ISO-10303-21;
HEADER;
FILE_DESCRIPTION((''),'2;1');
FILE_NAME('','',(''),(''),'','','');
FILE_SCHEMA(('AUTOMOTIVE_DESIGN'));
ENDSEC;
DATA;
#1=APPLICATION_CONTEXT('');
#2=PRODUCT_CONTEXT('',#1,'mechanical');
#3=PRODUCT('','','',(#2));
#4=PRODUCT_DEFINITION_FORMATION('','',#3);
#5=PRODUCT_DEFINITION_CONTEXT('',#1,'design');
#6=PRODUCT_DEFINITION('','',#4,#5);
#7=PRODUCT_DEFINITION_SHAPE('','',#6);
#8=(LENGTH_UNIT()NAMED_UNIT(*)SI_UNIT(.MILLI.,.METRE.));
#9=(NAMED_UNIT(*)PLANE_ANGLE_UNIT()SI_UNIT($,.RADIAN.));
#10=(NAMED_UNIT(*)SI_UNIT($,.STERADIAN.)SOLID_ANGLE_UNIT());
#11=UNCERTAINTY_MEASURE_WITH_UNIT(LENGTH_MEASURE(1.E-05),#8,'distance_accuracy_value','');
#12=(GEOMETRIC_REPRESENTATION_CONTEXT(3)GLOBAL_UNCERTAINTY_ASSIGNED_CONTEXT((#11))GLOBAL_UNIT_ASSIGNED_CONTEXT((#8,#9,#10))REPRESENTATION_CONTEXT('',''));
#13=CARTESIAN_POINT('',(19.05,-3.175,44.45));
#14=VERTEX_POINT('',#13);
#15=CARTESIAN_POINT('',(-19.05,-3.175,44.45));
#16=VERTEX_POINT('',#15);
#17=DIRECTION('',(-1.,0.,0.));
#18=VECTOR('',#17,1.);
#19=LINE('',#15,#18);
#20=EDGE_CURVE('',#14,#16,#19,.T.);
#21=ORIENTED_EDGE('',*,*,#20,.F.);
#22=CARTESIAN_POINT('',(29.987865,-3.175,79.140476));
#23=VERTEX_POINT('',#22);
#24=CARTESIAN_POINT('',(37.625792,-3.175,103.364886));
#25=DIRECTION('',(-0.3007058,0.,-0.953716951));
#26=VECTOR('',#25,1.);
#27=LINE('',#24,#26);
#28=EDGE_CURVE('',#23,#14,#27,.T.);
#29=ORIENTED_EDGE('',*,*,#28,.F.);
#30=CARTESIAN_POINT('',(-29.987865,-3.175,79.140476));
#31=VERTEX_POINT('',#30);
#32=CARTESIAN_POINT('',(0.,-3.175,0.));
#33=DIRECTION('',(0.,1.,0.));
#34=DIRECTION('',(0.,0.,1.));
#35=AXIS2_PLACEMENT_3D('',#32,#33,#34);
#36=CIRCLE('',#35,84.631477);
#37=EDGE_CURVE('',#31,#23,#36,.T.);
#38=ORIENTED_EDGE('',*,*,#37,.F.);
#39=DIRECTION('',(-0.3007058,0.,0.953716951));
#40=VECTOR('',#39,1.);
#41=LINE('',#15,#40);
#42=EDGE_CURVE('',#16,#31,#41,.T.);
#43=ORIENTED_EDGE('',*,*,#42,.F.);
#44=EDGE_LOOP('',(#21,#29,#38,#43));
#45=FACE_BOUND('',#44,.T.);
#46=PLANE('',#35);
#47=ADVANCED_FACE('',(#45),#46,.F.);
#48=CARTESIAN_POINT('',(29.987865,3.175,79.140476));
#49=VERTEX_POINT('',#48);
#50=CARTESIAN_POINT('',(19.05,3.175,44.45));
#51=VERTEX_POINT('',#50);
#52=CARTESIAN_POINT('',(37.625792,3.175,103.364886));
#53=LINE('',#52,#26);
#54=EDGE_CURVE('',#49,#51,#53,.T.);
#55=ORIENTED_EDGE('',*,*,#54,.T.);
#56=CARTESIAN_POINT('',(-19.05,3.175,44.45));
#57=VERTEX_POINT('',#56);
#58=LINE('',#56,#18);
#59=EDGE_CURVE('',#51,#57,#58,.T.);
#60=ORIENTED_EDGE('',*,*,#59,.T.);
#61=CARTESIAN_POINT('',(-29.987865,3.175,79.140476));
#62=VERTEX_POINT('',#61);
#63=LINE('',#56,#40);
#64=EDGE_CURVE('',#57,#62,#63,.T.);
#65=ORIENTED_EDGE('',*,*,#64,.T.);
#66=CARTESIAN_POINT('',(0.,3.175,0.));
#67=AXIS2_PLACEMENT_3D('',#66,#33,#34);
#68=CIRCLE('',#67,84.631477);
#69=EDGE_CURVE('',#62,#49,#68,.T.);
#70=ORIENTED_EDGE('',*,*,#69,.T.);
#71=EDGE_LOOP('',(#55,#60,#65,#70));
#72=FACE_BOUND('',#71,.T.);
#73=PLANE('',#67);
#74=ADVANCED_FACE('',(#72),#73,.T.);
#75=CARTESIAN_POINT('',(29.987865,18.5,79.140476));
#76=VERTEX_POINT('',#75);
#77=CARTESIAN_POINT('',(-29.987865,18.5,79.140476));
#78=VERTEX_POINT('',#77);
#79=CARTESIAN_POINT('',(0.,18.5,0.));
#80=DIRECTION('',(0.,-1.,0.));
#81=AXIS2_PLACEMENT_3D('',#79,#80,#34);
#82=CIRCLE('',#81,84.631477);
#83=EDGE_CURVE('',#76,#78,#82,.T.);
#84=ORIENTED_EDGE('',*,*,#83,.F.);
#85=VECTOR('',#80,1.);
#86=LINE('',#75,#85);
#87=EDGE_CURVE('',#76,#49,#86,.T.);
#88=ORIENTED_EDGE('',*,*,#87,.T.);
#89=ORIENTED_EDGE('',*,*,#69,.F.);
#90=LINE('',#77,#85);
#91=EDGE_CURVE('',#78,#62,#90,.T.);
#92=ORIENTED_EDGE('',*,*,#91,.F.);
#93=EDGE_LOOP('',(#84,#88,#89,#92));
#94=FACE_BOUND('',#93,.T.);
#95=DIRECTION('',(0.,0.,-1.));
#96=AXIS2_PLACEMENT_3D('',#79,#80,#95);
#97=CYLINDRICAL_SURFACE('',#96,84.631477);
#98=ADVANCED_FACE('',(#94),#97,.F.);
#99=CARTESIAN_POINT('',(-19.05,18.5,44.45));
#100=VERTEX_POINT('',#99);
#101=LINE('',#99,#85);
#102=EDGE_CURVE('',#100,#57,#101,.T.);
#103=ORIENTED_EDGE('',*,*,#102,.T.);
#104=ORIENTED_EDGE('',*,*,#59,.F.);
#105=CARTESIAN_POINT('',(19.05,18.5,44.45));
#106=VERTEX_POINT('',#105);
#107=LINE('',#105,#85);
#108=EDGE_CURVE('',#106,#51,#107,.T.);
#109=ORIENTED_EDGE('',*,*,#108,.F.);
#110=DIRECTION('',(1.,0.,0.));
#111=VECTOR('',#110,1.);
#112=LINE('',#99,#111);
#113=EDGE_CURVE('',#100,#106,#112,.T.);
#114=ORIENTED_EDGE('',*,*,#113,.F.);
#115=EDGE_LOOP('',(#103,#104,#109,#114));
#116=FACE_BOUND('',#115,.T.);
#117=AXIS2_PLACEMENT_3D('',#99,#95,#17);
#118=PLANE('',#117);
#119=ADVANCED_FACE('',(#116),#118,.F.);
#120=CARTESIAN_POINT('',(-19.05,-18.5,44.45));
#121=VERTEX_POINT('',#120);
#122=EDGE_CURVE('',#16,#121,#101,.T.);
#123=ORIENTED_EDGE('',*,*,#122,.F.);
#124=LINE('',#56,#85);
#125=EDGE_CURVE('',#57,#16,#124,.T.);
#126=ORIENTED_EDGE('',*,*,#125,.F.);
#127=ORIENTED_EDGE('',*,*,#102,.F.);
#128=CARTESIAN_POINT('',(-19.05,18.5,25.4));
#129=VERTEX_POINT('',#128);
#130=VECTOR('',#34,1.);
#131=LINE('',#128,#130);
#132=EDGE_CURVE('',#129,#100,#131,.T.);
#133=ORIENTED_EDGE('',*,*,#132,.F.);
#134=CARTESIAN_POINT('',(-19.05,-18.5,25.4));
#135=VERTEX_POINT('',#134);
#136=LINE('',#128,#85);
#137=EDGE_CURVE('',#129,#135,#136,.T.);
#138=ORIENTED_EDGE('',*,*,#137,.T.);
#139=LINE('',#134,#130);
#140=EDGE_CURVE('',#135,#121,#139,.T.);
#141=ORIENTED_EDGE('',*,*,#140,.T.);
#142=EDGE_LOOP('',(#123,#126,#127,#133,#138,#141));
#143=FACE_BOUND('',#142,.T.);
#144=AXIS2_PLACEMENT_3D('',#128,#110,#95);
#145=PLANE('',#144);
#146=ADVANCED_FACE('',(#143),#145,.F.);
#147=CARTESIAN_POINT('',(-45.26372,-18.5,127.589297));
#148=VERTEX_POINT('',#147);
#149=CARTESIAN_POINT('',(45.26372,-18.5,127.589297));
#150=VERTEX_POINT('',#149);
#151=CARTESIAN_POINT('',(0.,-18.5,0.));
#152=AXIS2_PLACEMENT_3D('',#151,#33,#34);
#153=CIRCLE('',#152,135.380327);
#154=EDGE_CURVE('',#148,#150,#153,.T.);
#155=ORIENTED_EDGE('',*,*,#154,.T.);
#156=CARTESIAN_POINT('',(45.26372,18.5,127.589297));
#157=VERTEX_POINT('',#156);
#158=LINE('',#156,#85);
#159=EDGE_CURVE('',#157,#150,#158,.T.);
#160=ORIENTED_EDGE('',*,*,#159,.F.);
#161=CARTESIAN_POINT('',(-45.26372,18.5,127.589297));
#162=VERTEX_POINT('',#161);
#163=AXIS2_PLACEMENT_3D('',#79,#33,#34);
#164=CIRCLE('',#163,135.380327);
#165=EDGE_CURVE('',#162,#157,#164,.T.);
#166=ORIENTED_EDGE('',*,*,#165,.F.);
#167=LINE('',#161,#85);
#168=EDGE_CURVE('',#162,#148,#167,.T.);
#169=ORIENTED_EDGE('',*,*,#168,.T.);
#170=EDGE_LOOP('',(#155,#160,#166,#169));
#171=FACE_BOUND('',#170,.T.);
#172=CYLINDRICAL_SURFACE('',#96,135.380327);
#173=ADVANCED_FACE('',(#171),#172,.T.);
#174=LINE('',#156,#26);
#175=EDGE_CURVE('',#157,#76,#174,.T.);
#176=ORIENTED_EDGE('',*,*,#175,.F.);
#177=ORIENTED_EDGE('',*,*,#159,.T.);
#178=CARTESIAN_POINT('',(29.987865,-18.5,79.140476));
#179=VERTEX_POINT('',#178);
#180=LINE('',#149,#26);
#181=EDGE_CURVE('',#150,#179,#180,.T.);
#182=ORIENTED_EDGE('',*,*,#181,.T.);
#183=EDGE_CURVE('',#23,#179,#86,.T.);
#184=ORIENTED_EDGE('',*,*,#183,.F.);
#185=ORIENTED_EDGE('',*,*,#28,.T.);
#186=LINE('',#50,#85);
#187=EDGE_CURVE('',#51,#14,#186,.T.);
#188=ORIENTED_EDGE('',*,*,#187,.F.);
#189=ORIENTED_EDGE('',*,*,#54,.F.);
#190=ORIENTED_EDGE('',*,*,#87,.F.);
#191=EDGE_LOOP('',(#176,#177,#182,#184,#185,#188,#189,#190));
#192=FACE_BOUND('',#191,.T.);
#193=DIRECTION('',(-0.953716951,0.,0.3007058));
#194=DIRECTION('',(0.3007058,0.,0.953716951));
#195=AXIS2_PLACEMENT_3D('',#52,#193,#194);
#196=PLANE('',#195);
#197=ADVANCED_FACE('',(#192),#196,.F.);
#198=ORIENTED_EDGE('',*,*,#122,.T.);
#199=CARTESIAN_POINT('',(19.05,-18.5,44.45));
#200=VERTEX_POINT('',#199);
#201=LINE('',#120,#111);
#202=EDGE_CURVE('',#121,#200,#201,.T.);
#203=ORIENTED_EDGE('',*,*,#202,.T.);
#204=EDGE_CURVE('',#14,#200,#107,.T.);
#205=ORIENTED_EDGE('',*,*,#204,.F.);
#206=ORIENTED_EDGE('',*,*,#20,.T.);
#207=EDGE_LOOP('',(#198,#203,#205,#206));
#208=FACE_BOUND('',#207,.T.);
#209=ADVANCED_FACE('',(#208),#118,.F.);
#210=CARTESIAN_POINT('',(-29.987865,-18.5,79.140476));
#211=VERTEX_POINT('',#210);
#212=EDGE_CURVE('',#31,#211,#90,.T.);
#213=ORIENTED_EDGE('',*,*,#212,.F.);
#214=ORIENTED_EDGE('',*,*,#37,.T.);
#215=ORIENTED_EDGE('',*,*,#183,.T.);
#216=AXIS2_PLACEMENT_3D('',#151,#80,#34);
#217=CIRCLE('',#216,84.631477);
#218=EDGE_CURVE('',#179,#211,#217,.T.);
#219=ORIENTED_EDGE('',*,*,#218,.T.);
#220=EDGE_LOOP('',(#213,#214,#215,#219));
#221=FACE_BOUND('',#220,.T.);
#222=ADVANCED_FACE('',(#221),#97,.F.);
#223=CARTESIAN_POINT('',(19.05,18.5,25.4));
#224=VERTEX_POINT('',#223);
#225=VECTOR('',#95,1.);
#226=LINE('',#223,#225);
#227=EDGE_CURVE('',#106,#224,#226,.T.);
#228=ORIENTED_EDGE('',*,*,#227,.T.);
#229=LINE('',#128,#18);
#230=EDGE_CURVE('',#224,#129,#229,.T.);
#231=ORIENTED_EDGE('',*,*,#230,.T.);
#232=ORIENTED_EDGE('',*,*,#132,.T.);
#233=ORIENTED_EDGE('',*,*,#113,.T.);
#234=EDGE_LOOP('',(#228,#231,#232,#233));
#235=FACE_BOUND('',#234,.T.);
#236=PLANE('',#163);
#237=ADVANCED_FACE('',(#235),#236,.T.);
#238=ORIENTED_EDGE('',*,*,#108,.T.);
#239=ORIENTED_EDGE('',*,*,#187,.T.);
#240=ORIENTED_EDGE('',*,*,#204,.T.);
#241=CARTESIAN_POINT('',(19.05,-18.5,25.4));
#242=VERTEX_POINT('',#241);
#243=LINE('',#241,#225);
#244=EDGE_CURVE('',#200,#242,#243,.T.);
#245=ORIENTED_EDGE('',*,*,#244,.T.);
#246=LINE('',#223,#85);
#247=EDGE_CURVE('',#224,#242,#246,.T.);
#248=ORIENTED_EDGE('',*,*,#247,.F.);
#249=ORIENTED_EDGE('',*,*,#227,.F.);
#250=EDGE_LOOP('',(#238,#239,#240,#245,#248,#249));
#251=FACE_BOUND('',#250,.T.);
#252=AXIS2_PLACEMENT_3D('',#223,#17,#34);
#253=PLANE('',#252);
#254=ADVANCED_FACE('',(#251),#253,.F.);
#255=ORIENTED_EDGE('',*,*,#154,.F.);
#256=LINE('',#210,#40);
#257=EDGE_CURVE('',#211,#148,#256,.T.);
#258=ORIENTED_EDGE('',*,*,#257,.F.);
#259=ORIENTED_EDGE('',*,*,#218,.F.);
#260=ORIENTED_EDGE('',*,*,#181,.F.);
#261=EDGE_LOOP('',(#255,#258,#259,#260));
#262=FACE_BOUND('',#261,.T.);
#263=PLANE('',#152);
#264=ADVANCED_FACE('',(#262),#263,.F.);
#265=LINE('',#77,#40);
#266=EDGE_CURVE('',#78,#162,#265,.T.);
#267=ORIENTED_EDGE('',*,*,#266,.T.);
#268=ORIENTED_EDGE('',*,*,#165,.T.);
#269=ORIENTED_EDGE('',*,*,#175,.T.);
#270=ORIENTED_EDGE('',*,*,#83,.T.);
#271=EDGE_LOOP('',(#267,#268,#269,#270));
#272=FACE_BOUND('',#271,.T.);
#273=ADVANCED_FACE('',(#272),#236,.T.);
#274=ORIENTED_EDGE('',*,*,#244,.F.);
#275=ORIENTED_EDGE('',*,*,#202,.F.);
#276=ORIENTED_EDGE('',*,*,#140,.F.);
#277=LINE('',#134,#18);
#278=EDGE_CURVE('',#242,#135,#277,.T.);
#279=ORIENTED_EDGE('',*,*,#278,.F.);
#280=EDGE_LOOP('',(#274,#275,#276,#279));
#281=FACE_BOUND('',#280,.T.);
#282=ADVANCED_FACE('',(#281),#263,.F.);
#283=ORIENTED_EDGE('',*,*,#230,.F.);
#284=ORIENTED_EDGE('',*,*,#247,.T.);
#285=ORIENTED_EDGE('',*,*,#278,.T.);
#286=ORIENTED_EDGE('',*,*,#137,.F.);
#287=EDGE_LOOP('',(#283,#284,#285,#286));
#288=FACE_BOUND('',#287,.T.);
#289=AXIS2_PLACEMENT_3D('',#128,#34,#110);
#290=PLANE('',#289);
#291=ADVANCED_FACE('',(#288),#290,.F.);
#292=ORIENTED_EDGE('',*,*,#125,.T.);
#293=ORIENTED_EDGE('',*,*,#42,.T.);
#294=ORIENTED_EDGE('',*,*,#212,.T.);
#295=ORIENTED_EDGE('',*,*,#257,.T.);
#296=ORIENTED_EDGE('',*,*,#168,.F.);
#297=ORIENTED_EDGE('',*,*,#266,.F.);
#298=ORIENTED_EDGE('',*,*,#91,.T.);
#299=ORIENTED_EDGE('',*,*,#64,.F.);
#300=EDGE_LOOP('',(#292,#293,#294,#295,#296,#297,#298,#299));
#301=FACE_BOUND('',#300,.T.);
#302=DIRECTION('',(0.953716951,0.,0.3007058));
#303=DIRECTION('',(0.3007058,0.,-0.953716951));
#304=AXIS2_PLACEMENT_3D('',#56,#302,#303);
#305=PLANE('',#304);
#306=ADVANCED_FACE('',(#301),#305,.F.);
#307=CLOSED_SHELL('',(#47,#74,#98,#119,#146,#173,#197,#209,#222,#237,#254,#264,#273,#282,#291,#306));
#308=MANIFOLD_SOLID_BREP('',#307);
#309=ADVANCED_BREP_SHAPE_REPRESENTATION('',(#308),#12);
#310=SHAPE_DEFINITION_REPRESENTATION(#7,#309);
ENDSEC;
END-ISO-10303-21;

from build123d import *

# Parameters (mm, degrees)
SKETCH1_W           = 38.1
SKETCH1_H           = 19.05
BOSS_EXTRUDE1_DEPTH = 18.5
BOSS_EXTRUDE3_DEPTH = 3.175
BOSS_EXTRUDE4_DEPTH = 18.5


with BuildPart() as part:
    # Sketch1 → Boss-Extrude1 (new body, symmetric)
    with BuildSketch(Plane(origin=(0, 0, 0), x_dir=(1, 0, 0), z_dir=(0, 1, 0))):
        with Locations((0, -34.925)):
            Rectangle(SKETCH1_W, SKETCH1_H)
    extrude(amount=BOSS_EXTRUDE1_DEPTH, both=True)

    # Sketch4 → Boss-Extrude3 (add, symmetric)
    with BuildSketch(Plane(origin=(0, 0, 0), x_dir=(1, 0, 0), z_dir=(0, 1, 0))):
        with BuildLine():
            Line((-19.05, -44.45), (-37.625792344, -103.364886448))
            ThreePointArc((-37.625792344, -103.364886448), (0, -110), (37.625792344, -103.364886448))
            Line((37.625792344, -103.364886448), (19.05, -44.45))
            Line((19.05, -44.45), (-19.05, -44.45))
        make_face()
    extrude(amount=BOSS_EXTRUDE3_DEPTH, both=True)

    # Sketch7 → Boss-Extrude4 (add, symmetric)
    with BuildSketch(Plane(origin=(0, 0, 0), x_dir=(1, 0, 0), z_dir=(0, 1, 0))):
        with BuildLine():
            Line((-29.987865037, -79.140475899), (-45.263719652, -127.589296997))
            ThreePointArc((-45.263719652, -127.589296997), (0, -135.380327319), (45.263719652, -127.589296997))
            Line((45.263719652, -127.589296997), (29.987865037, -79.140475899))
            ThreePointArc((29.987865037, -79.140475899), (0, -84.631477448), (-29.987865037, -79.140475899))
        make_face()
    extrude(amount=BOSS_EXTRUDE4_DEPTH, both=True)


solid = part.part
